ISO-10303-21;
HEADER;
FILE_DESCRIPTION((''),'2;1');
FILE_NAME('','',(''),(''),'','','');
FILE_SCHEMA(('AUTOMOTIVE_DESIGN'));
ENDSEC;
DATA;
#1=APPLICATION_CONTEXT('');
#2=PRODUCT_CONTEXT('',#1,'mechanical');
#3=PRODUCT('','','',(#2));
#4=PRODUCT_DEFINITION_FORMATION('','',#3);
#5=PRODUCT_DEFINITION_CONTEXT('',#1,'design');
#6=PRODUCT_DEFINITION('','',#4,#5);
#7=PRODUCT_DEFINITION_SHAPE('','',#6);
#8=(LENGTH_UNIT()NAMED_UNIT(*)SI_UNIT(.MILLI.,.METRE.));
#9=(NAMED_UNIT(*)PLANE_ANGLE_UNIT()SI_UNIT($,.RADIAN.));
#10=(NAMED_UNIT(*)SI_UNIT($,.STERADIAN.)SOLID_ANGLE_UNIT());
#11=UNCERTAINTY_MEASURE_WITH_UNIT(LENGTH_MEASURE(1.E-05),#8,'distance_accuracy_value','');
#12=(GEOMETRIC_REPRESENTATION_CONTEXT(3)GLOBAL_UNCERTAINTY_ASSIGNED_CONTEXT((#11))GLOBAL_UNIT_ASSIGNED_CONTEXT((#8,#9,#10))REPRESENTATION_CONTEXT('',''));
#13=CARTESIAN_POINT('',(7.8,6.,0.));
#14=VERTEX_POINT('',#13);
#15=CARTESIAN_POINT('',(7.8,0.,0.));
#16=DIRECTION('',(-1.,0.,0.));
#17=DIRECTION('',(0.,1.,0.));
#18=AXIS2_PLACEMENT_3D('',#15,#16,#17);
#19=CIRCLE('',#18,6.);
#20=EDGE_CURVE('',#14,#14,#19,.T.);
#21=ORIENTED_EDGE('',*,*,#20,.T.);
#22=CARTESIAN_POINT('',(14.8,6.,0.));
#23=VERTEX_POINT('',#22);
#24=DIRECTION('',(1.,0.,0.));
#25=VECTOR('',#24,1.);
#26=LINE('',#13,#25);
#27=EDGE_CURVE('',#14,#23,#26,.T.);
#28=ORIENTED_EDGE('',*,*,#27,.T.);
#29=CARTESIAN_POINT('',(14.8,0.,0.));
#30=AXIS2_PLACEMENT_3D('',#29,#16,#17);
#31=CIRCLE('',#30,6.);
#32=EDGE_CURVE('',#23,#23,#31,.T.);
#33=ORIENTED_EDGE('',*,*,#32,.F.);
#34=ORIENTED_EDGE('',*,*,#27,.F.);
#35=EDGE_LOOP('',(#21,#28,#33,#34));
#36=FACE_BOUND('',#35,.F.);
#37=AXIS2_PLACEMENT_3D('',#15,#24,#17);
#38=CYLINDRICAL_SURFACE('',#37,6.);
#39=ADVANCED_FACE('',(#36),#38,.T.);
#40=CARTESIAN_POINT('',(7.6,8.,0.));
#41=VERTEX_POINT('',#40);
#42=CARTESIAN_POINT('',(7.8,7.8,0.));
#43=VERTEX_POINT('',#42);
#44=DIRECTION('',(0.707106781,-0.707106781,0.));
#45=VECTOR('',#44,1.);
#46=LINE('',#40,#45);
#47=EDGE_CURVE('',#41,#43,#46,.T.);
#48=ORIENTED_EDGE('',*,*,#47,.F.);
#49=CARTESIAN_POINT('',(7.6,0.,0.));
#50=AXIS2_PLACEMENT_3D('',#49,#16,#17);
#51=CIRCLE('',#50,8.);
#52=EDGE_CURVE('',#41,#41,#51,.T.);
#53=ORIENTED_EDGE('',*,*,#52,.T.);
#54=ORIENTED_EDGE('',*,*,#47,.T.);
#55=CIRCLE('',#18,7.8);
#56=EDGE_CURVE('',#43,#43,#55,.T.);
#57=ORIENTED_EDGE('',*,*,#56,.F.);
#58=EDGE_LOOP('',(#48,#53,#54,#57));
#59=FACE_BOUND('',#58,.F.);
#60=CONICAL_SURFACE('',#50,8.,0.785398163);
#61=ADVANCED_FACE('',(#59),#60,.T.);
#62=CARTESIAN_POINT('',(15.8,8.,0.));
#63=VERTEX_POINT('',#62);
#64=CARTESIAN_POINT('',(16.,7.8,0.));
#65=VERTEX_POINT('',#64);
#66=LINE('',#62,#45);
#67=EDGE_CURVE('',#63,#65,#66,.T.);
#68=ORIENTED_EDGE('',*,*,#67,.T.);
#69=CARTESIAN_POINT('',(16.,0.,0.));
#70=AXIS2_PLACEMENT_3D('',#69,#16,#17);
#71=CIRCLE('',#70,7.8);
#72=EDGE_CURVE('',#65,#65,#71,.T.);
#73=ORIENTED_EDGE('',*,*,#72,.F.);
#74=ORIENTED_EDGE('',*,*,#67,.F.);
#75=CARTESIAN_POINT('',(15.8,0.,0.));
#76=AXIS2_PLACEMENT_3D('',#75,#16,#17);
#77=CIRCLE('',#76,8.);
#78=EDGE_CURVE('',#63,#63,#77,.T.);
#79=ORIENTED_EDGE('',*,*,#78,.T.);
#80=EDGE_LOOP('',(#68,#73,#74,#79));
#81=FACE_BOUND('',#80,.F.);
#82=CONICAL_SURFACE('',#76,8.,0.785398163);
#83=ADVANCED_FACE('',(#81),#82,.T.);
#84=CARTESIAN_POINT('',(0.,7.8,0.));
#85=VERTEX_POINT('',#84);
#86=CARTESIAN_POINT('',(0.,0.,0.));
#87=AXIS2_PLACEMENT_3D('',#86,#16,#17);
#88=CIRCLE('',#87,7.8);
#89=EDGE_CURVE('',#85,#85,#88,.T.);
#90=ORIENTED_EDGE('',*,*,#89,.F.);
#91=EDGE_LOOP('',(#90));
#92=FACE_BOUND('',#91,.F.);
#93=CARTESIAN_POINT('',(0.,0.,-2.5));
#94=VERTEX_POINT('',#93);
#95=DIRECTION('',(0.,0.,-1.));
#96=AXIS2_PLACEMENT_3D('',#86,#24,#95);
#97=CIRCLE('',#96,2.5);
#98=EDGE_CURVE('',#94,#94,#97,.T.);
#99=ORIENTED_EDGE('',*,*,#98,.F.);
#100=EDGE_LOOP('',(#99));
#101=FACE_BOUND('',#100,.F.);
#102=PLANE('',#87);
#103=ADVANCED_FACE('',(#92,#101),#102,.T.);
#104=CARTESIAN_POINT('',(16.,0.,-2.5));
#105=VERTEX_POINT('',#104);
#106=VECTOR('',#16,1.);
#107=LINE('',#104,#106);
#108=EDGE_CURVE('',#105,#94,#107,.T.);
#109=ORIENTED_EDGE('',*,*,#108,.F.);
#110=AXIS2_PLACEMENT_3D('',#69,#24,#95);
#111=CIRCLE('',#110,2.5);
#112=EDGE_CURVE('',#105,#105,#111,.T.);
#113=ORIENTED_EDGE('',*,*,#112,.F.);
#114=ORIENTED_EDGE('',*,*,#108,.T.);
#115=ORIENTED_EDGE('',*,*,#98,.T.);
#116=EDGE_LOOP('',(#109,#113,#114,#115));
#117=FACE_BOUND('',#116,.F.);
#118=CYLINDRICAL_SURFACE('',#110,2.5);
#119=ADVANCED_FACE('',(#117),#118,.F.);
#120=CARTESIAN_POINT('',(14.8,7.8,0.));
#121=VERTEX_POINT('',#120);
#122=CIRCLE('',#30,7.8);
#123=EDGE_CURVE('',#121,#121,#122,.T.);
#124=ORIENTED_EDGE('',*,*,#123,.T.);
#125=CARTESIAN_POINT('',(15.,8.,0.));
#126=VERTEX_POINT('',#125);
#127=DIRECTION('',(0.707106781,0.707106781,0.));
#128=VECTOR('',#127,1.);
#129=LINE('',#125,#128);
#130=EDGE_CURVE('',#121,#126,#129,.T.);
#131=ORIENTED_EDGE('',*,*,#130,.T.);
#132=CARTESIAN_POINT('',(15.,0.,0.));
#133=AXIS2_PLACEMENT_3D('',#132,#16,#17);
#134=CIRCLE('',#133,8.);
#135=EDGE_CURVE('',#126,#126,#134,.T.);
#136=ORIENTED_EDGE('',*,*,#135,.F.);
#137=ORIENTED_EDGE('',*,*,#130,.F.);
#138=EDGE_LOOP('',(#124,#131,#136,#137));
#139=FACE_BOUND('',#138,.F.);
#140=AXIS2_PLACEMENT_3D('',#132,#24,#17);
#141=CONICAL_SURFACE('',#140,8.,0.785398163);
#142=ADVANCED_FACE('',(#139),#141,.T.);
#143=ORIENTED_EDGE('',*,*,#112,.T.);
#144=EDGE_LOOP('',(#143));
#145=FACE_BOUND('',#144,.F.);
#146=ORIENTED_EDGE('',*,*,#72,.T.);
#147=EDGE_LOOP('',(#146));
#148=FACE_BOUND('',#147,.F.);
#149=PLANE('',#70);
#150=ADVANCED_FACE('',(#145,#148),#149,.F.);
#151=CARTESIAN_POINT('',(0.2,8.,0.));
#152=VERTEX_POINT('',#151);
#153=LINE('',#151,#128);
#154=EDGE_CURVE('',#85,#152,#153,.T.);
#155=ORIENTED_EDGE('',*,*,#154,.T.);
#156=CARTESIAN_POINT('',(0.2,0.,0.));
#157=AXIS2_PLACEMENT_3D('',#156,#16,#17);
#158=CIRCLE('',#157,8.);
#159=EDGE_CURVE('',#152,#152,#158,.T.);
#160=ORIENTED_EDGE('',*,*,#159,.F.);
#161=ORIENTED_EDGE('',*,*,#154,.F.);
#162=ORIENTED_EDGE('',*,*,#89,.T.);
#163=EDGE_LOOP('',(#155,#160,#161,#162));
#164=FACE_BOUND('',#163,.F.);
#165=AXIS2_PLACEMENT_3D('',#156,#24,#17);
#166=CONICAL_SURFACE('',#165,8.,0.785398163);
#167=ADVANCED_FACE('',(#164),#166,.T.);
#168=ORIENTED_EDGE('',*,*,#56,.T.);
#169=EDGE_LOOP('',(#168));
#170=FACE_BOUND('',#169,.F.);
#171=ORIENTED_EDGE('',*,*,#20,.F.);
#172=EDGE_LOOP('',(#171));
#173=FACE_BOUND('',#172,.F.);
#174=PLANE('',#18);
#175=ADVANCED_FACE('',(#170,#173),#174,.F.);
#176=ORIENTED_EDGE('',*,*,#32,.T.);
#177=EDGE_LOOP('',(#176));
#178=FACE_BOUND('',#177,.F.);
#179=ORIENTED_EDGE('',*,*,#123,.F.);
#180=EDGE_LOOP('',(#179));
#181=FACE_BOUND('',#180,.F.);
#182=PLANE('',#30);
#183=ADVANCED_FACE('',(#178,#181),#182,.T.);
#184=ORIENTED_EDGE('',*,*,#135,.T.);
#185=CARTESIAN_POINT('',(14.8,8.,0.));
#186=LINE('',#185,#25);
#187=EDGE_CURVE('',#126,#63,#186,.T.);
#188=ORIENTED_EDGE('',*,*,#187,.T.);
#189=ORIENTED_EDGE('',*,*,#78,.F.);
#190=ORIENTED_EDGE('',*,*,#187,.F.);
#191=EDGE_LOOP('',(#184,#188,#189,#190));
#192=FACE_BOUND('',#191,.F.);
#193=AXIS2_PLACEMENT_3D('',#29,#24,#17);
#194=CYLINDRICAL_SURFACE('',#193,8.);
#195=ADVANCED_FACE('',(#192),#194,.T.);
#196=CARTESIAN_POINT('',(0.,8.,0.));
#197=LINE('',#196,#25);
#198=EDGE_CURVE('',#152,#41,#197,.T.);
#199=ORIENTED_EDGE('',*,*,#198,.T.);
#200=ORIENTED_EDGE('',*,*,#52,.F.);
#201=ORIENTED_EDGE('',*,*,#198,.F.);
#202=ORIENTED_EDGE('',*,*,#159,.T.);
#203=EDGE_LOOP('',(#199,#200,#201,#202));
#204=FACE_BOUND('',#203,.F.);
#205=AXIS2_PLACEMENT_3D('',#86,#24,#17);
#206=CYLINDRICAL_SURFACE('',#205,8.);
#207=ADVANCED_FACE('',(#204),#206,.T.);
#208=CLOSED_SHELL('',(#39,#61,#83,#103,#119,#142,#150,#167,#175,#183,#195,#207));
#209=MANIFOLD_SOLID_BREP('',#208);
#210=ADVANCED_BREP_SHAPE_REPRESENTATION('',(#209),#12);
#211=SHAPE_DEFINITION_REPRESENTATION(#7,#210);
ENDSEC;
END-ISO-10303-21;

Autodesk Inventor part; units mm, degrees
ref_plane "YZ Plane" through (0, 0, 0) normal (1, 0, 0) x (0, 1, 0)
ref_plane "XZ Plane" through (0, 0, 0) normal (0, 1, 0) x (-1, 0, 0)
ref_plane "XY Plane" through (0, 0, 0) normal (0, 0, 1) x (1, 0, 0)
sketch "Sketch1" plane through (0, 0, 0) normal (0, 0, 1) x (1, 0, 0)
  line L0 (0, 0) -> (0, 8)
  line L1 (0, 8) -> (7.8, 8)
  line L2 (7.8, 8) -> (7.8, 6)
  line L3 (7.8, 6) -> (14.8, 6)
  line L4 (14.8, 6) -> (14.8, 8)
  line L5 (14.8, 8) -> (16, 8)
  line L6 (16, 8) -> (16, 0)
  line L7 (16, 0) -> (0, 0)
  dimension "d0" = 16
  dimension "d1" = 1.2
  dimension "d2" = 7
  dimension "d3" = 16
  dimension "d4" = 12
revolve "Revolution1" add sketch "Sketch1" angle 360 about axis through (16, 0, 0) along (-1, 0, 0)
chamfer "Chamfer1" distance 0.2 angle 45 4 edges at (7.8, -8, 0) (0, -8, 0) (14.8, -8, 0) (16, -8, 0)
sketch "Sketch2" plane through (16, 0, 0) normal (1, 0, 0) x (0, 0, -1)
  circle A0 centre (0, 0) radius 2.5
  dimension "d9" = 5
extrude "Extrusion1" cut sketch "Sketch2" against normal through all
ref_plane "Work Plane1" through (8, 0, 0) normal (1, 0, 0) x (0, 0, -1)
properties part number "Riemenscheibe"
